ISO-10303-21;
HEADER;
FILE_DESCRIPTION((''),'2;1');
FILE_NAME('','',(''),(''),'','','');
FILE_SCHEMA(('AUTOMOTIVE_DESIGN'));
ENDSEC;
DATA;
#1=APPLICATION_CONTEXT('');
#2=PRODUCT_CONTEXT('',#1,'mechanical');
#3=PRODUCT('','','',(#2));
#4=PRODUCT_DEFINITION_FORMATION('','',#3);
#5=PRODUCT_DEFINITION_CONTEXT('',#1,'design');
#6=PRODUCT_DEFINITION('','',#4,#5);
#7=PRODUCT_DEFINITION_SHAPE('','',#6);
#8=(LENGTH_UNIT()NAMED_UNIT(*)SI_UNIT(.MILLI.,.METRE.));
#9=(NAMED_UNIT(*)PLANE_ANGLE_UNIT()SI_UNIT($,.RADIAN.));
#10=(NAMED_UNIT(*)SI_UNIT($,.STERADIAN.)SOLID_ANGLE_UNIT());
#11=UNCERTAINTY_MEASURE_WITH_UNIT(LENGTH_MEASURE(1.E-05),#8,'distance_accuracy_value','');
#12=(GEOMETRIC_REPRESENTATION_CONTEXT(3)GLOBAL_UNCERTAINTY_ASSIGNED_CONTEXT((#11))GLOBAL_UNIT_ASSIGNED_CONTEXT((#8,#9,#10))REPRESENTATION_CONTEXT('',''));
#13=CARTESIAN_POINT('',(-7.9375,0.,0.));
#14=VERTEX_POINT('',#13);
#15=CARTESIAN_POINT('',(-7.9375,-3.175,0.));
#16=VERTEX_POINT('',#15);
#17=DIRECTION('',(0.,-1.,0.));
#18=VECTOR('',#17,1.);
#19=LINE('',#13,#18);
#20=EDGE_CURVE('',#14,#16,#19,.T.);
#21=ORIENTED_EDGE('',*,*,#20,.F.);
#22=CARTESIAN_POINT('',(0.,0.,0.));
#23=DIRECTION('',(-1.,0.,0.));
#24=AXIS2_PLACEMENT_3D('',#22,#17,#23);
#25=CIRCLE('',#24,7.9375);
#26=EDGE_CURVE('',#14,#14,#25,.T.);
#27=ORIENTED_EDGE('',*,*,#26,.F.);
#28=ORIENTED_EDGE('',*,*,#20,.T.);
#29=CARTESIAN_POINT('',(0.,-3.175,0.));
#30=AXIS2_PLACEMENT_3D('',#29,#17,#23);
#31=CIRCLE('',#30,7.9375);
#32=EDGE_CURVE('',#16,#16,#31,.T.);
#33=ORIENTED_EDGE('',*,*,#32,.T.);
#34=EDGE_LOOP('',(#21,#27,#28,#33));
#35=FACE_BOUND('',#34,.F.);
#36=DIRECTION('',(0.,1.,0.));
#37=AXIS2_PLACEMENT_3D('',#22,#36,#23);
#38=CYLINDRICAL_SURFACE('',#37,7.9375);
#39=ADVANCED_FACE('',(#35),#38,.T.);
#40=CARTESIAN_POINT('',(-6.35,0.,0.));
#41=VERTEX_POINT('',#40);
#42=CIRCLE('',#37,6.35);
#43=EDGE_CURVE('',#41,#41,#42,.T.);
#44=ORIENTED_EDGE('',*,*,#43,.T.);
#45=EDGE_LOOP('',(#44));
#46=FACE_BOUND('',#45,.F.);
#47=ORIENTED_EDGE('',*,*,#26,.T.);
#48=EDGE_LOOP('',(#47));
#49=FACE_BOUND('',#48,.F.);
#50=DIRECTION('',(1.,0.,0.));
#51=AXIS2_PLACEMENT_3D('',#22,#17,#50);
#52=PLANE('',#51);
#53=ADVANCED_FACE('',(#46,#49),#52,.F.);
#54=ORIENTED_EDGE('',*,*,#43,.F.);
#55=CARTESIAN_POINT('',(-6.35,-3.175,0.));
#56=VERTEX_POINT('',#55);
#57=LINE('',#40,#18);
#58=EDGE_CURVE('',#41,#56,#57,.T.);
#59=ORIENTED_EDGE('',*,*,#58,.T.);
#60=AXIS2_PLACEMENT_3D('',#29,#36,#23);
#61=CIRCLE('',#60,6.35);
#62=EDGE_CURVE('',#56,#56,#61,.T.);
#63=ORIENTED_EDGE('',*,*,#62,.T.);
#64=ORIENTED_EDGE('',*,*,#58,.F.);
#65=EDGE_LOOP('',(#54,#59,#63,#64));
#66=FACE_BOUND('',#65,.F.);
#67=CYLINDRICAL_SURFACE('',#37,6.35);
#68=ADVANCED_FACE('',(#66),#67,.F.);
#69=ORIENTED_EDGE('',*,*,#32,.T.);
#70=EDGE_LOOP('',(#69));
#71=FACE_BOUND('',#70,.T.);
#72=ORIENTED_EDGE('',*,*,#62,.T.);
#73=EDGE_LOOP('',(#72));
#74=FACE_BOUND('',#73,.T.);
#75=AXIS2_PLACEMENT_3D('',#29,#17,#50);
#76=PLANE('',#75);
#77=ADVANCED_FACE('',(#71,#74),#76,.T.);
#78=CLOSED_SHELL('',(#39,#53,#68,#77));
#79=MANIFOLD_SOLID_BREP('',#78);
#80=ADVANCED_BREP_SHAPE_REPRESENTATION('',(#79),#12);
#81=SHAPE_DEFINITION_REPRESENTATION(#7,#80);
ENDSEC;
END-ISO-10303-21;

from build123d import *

# Parameters (mm, degrees)
F1_DEPTH = 3.175


with BuildPart() as f1:
    # F0 (on Front) → F1 (new body)
    with BuildSketch(Plane.XZ):
        with BuildLine():
            ThreePointArc((7.9375, 0), (0, 7.9375), (-7.9375, 0))
            ThreePointArc((-7.9375, 0), (0, -7.9375), (7.9375, 0))
        make_face()
        with BuildLine():
            ThreePointArc((6.35, 0), (0, -6.35), (-6.35, 0))
            ThreePointArc((-6.35, 0), (0, 6.35), (6.35, 0))
        make_face(mode=Mode.SUBTRACT)
    extrude(amount=F1_DEPTH)


solid = f1.part
